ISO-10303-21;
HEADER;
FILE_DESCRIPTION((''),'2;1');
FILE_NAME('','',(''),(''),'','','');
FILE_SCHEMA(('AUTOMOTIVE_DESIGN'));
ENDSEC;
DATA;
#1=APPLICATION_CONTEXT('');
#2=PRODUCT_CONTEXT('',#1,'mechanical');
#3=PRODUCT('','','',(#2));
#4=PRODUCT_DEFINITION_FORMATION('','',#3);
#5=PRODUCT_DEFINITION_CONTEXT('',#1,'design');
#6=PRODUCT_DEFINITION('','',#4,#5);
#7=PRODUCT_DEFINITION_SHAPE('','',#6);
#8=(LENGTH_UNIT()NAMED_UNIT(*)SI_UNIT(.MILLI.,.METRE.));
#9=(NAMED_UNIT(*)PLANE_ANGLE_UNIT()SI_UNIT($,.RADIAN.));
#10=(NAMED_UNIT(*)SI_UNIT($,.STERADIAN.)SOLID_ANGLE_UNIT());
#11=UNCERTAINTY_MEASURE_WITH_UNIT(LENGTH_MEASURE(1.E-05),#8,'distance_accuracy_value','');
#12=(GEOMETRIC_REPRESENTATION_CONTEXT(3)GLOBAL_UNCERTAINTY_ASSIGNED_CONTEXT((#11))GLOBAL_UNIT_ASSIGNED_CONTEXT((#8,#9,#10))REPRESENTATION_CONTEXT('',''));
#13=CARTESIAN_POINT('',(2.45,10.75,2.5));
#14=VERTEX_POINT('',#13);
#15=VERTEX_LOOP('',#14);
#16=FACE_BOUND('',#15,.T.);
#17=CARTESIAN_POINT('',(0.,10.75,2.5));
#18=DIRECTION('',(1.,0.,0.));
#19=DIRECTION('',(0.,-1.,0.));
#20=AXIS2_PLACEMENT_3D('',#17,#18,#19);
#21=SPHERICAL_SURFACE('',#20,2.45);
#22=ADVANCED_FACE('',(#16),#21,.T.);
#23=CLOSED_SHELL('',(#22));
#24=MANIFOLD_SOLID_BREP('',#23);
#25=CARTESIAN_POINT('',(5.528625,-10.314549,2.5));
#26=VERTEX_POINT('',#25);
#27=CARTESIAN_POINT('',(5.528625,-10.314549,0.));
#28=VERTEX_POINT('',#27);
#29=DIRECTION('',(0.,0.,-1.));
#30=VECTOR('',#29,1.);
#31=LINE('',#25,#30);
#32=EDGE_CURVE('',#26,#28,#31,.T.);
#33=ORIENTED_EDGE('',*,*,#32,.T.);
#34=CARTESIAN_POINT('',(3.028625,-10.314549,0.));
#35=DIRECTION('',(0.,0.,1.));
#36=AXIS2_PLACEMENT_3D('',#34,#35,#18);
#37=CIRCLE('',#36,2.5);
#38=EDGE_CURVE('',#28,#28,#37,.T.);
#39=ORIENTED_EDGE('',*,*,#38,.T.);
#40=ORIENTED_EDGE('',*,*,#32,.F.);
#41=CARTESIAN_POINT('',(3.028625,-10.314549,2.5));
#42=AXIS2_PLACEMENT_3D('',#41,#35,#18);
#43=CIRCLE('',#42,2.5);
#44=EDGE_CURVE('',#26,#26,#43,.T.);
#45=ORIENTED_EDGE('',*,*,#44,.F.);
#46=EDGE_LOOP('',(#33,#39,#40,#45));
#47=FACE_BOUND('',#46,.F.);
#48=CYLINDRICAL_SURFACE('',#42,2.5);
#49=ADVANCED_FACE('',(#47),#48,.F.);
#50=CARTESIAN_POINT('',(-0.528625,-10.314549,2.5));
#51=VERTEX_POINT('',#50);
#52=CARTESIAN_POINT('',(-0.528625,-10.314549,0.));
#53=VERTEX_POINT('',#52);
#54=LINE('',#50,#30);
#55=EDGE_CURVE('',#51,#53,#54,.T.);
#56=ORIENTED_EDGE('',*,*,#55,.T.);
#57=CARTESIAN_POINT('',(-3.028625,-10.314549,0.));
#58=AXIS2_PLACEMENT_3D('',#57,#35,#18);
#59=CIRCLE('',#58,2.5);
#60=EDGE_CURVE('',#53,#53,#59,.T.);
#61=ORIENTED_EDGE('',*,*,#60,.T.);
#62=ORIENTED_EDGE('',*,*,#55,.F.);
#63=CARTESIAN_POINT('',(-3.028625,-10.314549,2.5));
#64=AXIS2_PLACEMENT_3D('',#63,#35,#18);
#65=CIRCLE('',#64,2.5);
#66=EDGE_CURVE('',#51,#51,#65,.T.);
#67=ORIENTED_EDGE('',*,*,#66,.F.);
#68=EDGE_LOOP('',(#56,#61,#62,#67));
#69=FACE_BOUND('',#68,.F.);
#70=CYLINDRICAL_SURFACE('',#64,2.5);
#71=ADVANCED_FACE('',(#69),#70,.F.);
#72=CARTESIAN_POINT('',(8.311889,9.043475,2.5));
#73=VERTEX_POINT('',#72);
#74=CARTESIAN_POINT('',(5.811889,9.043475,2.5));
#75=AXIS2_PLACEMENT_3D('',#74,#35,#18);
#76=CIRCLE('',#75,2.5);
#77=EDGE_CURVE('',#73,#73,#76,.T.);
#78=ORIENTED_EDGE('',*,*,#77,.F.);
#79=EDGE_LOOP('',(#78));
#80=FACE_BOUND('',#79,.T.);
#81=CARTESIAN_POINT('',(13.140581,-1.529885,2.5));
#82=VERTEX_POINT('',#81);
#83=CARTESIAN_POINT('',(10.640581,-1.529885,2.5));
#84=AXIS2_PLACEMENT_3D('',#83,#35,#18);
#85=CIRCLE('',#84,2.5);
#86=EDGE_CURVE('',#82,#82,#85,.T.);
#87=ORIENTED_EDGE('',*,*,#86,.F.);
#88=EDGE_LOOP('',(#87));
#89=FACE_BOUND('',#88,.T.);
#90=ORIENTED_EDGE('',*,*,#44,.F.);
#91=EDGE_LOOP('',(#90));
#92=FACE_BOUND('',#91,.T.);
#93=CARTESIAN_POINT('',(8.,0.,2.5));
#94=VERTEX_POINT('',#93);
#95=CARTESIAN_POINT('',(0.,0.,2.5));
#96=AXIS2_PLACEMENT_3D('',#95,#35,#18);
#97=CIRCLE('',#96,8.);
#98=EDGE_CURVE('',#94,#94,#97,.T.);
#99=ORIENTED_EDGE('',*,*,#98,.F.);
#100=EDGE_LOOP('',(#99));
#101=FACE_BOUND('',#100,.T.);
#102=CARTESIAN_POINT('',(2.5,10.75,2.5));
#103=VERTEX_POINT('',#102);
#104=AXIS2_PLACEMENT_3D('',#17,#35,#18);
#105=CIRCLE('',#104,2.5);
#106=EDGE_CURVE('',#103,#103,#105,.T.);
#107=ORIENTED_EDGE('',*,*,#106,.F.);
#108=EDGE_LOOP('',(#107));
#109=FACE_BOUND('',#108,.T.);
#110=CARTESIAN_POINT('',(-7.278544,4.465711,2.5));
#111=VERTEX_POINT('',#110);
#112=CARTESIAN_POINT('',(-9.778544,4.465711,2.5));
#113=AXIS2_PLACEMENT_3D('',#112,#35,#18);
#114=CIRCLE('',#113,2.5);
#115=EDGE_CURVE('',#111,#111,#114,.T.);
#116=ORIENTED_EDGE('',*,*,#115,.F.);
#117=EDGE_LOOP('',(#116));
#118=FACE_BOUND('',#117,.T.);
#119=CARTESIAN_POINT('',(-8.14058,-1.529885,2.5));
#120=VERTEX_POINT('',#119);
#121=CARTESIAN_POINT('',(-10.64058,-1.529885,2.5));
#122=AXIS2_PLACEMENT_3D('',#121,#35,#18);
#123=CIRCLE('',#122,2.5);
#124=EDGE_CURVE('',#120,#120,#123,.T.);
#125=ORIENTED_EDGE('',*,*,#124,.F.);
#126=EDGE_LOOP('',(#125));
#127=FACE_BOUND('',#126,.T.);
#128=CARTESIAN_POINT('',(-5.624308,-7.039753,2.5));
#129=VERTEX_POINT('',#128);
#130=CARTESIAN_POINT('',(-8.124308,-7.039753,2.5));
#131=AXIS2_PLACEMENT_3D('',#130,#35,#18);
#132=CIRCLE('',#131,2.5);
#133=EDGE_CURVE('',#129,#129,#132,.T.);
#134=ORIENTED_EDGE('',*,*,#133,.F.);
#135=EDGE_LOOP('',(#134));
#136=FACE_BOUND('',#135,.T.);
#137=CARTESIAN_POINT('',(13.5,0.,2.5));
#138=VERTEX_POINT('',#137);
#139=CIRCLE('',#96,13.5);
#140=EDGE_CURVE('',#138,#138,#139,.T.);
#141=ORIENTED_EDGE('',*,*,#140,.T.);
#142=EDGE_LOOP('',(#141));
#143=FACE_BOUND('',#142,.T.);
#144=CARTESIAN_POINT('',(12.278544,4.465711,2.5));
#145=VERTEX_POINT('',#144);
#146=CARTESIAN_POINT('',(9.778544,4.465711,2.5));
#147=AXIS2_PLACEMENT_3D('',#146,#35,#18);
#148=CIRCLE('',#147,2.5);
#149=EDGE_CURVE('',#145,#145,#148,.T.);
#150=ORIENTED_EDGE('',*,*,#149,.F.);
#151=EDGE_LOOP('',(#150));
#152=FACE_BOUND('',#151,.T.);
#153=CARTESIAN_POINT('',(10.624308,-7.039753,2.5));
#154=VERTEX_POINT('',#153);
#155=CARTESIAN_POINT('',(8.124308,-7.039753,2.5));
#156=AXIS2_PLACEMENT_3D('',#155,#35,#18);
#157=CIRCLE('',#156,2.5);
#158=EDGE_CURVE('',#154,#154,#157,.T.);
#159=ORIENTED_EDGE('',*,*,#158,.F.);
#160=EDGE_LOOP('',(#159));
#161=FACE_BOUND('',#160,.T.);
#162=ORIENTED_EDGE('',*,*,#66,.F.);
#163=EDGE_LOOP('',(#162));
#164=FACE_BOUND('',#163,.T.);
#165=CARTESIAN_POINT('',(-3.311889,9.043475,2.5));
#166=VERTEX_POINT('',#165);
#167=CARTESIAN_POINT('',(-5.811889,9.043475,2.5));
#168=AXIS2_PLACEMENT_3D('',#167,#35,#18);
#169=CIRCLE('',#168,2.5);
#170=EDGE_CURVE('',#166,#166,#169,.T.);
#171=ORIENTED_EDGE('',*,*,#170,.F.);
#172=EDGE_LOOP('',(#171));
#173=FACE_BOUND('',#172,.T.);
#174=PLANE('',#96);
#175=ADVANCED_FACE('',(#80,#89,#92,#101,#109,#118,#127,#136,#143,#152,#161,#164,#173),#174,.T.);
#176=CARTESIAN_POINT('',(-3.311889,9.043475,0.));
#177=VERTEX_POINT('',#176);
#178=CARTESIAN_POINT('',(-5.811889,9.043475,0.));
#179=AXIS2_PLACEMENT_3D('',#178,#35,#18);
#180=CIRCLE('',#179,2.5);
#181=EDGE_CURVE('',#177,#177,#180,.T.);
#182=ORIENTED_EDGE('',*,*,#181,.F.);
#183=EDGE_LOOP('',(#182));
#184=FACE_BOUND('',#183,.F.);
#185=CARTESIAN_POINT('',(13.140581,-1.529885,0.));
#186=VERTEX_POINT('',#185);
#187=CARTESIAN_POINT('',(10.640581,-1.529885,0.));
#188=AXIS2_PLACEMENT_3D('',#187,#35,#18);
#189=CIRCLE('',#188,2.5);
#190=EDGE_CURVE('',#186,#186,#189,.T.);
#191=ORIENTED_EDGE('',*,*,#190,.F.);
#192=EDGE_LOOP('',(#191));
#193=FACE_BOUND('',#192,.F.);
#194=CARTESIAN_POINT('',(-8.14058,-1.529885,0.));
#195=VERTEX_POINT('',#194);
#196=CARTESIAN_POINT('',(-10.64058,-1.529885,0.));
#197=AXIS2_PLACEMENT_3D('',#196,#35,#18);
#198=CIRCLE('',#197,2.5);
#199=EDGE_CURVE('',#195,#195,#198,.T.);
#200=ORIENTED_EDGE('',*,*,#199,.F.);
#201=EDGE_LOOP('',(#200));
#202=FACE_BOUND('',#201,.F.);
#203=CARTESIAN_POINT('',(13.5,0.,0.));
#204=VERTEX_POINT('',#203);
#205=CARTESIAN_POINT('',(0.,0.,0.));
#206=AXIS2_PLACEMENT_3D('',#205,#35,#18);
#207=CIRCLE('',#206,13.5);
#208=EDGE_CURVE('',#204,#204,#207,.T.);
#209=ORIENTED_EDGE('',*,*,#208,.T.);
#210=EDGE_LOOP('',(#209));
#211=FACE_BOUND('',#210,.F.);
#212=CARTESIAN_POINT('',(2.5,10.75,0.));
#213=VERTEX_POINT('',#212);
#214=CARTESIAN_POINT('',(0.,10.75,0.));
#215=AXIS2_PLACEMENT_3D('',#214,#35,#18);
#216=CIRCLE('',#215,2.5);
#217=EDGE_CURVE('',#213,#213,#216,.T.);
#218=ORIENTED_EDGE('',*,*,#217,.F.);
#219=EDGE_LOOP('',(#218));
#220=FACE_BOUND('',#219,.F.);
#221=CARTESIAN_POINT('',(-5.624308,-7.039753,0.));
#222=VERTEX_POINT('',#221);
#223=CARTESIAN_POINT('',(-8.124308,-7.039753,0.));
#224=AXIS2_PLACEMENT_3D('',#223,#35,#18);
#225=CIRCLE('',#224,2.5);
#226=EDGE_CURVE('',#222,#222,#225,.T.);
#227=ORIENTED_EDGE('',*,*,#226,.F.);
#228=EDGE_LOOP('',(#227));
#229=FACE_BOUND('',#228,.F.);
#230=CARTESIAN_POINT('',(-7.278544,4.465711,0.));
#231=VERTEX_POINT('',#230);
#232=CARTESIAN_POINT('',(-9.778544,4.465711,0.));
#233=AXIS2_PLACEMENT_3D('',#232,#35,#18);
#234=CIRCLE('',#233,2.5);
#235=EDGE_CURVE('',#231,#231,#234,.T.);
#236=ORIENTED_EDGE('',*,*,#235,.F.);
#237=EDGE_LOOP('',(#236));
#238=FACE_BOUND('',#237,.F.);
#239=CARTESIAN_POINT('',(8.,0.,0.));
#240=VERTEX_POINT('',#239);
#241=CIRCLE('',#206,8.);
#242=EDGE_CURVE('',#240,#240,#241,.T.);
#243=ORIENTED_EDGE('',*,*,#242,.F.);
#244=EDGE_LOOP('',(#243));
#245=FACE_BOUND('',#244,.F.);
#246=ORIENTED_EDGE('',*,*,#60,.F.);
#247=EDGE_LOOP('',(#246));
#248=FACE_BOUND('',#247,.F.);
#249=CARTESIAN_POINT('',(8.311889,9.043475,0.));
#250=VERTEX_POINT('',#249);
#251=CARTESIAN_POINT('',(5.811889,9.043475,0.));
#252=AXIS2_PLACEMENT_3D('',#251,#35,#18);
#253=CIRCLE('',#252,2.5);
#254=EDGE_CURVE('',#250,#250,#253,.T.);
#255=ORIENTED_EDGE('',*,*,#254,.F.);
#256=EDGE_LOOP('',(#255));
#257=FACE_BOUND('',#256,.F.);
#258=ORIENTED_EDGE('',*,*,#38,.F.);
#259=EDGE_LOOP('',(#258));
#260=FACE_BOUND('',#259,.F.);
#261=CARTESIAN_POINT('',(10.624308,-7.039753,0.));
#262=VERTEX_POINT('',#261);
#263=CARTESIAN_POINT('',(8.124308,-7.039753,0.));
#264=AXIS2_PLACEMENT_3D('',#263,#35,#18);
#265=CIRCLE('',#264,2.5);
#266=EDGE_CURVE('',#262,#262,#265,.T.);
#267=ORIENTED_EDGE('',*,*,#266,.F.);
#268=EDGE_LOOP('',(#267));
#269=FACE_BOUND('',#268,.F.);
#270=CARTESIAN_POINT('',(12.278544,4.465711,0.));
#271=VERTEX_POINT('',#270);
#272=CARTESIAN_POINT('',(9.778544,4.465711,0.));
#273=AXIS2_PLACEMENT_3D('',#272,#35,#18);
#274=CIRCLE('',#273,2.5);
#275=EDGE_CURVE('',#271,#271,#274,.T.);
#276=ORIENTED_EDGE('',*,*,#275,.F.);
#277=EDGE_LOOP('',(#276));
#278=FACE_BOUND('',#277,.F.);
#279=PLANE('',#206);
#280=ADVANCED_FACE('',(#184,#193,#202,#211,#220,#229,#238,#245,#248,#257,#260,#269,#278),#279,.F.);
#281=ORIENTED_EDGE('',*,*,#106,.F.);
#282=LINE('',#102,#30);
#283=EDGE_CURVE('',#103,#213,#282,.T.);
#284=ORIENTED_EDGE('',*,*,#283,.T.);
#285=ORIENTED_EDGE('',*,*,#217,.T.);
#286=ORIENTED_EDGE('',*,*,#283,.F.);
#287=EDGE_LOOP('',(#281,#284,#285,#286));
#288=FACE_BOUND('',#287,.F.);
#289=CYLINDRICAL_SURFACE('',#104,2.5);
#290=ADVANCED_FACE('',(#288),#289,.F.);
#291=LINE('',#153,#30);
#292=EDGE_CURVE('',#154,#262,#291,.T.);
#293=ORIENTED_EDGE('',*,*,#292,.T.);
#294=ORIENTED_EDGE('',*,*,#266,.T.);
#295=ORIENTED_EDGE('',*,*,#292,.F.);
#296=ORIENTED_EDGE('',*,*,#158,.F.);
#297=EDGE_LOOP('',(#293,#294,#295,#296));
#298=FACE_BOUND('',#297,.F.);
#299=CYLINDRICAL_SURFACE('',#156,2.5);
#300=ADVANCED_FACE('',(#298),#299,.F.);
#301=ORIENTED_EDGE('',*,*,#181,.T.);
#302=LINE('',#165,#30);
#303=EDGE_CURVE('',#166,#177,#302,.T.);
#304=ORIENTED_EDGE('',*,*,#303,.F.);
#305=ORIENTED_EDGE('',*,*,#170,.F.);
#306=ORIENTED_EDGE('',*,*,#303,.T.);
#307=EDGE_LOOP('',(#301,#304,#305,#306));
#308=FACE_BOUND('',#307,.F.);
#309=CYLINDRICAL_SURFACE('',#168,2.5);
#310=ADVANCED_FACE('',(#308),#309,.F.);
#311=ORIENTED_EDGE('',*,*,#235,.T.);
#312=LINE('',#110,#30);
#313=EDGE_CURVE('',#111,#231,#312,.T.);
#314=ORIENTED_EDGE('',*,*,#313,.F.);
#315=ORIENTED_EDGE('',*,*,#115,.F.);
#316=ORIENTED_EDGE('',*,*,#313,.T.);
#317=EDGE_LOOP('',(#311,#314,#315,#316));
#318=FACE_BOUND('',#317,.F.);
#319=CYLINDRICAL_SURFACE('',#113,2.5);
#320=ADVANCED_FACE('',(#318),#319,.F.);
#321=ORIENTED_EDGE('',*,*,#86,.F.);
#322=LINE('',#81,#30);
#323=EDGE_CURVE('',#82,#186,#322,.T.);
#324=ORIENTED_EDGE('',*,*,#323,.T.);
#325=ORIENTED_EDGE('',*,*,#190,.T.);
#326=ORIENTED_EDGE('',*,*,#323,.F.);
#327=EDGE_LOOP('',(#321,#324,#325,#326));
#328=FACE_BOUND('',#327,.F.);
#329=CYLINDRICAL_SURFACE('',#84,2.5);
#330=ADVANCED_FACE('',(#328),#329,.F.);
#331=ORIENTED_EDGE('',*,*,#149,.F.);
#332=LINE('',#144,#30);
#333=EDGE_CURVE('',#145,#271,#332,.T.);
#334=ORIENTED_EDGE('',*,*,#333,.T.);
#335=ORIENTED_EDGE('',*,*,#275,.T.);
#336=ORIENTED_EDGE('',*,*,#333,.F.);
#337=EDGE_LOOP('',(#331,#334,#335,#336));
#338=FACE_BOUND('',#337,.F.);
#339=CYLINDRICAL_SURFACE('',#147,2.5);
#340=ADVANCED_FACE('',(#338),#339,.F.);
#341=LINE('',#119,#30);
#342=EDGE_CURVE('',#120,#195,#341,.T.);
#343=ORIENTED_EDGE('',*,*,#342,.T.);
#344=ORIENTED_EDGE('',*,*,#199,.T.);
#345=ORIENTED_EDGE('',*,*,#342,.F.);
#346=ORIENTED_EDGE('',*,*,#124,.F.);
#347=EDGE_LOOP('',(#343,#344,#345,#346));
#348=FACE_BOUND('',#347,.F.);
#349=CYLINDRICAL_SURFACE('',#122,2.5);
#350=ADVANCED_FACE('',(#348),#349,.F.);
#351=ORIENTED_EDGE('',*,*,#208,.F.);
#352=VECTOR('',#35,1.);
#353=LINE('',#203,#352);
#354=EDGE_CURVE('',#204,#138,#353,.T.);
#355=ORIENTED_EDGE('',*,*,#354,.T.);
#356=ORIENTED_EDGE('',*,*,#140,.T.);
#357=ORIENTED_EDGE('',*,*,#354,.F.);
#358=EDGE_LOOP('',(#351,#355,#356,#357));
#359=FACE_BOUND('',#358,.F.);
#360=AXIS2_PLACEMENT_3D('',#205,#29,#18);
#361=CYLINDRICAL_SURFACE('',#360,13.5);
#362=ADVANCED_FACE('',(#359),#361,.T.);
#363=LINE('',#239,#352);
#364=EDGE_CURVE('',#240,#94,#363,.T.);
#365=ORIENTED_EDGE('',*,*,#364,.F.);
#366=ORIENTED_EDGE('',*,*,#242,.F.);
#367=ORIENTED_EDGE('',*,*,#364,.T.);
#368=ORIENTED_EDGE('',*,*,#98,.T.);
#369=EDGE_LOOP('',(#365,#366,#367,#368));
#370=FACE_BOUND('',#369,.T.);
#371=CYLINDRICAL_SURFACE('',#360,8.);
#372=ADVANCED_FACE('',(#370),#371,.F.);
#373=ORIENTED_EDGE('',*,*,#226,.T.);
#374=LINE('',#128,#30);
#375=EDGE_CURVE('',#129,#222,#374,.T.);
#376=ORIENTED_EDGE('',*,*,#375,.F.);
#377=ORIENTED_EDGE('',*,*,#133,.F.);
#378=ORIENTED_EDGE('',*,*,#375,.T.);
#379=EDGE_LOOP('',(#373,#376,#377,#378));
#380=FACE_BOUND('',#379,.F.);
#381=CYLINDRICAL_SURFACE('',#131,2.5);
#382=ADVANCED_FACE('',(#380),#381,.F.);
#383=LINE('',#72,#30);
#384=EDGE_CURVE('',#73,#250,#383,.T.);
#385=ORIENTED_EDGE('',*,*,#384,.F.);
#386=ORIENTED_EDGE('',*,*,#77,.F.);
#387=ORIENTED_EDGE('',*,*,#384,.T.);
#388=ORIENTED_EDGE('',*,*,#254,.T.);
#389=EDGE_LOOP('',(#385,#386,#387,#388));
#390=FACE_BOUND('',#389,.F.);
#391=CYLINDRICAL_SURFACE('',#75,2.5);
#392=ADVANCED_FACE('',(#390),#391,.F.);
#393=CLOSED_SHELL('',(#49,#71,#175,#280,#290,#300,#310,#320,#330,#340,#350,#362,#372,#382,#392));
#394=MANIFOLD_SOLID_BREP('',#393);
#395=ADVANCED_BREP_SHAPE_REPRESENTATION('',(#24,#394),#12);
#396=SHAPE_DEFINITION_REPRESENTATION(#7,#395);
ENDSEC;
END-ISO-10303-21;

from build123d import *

# Parameters (mm, degrees)
F0_R     = 13.5
F0_R_2   = 8
F1_DEPTH = 2.5
F2_R     = 2.5
F3_DEPTH = 2.5


with BuildPart() as f1:
    # F0 (on Top) → F1 (new body)
    with BuildSketch(Plane.XY):
        Circle(F0_R)
        Circle(F0_R_2, mode=Mode.SUBTRACT)
    extrude(amount=F1_DEPTH)

    # F2 (on face) → F3 (cut)
    with BuildSketch(Plane.XY.offset(2.5)):
        with Locations((0, 10.75)):
            Circle(F2_R)
        with Locations((5.811889, 9.043475)):
            Circle(F2_R)
        with Locations((9.778544, 4.465711)):
            Circle(F2_R)
        with Locations((10.640581, -1.529885)):
            Circle(F2_R)
        with Locations((8.124308, -7.039753)):
            Circle(F2_R)
        with Locations((3.028625, -10.314549)):
            Circle(F2_R)
        with Locations((-3.028625, -10.314549)):
            Circle(F2_R)
        with Locations((-8.124308, -7.039753)):
            Circle(F2_R)
        with Locations((-10.64058, -1.529885)):
            Circle(F2_R)
        with Locations((-9.778544, 4.465711)):
            Circle(F2_R)
        with Locations((-5.811889, 9.043475)):
            Circle(F2_R)
    extrude(amount=-F3_DEPTH, mode=Mode.SUBTRACT)


with BuildPart() as f5:
    # F4 (on face) → F5 (revolve)
    with BuildSketch(Plane.XY.offset(2.5)):
        with BuildLine():
            Line((2.45, 10.75), (0, 10.75))
            Line((0, 10.75), (-2.45, 10.75))
            ThreePointArc((-2.45, 10.75), (0, 8.3), (2.45, 10.75))
        make_face()
    revolve(axis=Axis((1.225, 10.75, 2.5), (1, 0, 0)))


solid = Compound([f1.part, f5.part])
